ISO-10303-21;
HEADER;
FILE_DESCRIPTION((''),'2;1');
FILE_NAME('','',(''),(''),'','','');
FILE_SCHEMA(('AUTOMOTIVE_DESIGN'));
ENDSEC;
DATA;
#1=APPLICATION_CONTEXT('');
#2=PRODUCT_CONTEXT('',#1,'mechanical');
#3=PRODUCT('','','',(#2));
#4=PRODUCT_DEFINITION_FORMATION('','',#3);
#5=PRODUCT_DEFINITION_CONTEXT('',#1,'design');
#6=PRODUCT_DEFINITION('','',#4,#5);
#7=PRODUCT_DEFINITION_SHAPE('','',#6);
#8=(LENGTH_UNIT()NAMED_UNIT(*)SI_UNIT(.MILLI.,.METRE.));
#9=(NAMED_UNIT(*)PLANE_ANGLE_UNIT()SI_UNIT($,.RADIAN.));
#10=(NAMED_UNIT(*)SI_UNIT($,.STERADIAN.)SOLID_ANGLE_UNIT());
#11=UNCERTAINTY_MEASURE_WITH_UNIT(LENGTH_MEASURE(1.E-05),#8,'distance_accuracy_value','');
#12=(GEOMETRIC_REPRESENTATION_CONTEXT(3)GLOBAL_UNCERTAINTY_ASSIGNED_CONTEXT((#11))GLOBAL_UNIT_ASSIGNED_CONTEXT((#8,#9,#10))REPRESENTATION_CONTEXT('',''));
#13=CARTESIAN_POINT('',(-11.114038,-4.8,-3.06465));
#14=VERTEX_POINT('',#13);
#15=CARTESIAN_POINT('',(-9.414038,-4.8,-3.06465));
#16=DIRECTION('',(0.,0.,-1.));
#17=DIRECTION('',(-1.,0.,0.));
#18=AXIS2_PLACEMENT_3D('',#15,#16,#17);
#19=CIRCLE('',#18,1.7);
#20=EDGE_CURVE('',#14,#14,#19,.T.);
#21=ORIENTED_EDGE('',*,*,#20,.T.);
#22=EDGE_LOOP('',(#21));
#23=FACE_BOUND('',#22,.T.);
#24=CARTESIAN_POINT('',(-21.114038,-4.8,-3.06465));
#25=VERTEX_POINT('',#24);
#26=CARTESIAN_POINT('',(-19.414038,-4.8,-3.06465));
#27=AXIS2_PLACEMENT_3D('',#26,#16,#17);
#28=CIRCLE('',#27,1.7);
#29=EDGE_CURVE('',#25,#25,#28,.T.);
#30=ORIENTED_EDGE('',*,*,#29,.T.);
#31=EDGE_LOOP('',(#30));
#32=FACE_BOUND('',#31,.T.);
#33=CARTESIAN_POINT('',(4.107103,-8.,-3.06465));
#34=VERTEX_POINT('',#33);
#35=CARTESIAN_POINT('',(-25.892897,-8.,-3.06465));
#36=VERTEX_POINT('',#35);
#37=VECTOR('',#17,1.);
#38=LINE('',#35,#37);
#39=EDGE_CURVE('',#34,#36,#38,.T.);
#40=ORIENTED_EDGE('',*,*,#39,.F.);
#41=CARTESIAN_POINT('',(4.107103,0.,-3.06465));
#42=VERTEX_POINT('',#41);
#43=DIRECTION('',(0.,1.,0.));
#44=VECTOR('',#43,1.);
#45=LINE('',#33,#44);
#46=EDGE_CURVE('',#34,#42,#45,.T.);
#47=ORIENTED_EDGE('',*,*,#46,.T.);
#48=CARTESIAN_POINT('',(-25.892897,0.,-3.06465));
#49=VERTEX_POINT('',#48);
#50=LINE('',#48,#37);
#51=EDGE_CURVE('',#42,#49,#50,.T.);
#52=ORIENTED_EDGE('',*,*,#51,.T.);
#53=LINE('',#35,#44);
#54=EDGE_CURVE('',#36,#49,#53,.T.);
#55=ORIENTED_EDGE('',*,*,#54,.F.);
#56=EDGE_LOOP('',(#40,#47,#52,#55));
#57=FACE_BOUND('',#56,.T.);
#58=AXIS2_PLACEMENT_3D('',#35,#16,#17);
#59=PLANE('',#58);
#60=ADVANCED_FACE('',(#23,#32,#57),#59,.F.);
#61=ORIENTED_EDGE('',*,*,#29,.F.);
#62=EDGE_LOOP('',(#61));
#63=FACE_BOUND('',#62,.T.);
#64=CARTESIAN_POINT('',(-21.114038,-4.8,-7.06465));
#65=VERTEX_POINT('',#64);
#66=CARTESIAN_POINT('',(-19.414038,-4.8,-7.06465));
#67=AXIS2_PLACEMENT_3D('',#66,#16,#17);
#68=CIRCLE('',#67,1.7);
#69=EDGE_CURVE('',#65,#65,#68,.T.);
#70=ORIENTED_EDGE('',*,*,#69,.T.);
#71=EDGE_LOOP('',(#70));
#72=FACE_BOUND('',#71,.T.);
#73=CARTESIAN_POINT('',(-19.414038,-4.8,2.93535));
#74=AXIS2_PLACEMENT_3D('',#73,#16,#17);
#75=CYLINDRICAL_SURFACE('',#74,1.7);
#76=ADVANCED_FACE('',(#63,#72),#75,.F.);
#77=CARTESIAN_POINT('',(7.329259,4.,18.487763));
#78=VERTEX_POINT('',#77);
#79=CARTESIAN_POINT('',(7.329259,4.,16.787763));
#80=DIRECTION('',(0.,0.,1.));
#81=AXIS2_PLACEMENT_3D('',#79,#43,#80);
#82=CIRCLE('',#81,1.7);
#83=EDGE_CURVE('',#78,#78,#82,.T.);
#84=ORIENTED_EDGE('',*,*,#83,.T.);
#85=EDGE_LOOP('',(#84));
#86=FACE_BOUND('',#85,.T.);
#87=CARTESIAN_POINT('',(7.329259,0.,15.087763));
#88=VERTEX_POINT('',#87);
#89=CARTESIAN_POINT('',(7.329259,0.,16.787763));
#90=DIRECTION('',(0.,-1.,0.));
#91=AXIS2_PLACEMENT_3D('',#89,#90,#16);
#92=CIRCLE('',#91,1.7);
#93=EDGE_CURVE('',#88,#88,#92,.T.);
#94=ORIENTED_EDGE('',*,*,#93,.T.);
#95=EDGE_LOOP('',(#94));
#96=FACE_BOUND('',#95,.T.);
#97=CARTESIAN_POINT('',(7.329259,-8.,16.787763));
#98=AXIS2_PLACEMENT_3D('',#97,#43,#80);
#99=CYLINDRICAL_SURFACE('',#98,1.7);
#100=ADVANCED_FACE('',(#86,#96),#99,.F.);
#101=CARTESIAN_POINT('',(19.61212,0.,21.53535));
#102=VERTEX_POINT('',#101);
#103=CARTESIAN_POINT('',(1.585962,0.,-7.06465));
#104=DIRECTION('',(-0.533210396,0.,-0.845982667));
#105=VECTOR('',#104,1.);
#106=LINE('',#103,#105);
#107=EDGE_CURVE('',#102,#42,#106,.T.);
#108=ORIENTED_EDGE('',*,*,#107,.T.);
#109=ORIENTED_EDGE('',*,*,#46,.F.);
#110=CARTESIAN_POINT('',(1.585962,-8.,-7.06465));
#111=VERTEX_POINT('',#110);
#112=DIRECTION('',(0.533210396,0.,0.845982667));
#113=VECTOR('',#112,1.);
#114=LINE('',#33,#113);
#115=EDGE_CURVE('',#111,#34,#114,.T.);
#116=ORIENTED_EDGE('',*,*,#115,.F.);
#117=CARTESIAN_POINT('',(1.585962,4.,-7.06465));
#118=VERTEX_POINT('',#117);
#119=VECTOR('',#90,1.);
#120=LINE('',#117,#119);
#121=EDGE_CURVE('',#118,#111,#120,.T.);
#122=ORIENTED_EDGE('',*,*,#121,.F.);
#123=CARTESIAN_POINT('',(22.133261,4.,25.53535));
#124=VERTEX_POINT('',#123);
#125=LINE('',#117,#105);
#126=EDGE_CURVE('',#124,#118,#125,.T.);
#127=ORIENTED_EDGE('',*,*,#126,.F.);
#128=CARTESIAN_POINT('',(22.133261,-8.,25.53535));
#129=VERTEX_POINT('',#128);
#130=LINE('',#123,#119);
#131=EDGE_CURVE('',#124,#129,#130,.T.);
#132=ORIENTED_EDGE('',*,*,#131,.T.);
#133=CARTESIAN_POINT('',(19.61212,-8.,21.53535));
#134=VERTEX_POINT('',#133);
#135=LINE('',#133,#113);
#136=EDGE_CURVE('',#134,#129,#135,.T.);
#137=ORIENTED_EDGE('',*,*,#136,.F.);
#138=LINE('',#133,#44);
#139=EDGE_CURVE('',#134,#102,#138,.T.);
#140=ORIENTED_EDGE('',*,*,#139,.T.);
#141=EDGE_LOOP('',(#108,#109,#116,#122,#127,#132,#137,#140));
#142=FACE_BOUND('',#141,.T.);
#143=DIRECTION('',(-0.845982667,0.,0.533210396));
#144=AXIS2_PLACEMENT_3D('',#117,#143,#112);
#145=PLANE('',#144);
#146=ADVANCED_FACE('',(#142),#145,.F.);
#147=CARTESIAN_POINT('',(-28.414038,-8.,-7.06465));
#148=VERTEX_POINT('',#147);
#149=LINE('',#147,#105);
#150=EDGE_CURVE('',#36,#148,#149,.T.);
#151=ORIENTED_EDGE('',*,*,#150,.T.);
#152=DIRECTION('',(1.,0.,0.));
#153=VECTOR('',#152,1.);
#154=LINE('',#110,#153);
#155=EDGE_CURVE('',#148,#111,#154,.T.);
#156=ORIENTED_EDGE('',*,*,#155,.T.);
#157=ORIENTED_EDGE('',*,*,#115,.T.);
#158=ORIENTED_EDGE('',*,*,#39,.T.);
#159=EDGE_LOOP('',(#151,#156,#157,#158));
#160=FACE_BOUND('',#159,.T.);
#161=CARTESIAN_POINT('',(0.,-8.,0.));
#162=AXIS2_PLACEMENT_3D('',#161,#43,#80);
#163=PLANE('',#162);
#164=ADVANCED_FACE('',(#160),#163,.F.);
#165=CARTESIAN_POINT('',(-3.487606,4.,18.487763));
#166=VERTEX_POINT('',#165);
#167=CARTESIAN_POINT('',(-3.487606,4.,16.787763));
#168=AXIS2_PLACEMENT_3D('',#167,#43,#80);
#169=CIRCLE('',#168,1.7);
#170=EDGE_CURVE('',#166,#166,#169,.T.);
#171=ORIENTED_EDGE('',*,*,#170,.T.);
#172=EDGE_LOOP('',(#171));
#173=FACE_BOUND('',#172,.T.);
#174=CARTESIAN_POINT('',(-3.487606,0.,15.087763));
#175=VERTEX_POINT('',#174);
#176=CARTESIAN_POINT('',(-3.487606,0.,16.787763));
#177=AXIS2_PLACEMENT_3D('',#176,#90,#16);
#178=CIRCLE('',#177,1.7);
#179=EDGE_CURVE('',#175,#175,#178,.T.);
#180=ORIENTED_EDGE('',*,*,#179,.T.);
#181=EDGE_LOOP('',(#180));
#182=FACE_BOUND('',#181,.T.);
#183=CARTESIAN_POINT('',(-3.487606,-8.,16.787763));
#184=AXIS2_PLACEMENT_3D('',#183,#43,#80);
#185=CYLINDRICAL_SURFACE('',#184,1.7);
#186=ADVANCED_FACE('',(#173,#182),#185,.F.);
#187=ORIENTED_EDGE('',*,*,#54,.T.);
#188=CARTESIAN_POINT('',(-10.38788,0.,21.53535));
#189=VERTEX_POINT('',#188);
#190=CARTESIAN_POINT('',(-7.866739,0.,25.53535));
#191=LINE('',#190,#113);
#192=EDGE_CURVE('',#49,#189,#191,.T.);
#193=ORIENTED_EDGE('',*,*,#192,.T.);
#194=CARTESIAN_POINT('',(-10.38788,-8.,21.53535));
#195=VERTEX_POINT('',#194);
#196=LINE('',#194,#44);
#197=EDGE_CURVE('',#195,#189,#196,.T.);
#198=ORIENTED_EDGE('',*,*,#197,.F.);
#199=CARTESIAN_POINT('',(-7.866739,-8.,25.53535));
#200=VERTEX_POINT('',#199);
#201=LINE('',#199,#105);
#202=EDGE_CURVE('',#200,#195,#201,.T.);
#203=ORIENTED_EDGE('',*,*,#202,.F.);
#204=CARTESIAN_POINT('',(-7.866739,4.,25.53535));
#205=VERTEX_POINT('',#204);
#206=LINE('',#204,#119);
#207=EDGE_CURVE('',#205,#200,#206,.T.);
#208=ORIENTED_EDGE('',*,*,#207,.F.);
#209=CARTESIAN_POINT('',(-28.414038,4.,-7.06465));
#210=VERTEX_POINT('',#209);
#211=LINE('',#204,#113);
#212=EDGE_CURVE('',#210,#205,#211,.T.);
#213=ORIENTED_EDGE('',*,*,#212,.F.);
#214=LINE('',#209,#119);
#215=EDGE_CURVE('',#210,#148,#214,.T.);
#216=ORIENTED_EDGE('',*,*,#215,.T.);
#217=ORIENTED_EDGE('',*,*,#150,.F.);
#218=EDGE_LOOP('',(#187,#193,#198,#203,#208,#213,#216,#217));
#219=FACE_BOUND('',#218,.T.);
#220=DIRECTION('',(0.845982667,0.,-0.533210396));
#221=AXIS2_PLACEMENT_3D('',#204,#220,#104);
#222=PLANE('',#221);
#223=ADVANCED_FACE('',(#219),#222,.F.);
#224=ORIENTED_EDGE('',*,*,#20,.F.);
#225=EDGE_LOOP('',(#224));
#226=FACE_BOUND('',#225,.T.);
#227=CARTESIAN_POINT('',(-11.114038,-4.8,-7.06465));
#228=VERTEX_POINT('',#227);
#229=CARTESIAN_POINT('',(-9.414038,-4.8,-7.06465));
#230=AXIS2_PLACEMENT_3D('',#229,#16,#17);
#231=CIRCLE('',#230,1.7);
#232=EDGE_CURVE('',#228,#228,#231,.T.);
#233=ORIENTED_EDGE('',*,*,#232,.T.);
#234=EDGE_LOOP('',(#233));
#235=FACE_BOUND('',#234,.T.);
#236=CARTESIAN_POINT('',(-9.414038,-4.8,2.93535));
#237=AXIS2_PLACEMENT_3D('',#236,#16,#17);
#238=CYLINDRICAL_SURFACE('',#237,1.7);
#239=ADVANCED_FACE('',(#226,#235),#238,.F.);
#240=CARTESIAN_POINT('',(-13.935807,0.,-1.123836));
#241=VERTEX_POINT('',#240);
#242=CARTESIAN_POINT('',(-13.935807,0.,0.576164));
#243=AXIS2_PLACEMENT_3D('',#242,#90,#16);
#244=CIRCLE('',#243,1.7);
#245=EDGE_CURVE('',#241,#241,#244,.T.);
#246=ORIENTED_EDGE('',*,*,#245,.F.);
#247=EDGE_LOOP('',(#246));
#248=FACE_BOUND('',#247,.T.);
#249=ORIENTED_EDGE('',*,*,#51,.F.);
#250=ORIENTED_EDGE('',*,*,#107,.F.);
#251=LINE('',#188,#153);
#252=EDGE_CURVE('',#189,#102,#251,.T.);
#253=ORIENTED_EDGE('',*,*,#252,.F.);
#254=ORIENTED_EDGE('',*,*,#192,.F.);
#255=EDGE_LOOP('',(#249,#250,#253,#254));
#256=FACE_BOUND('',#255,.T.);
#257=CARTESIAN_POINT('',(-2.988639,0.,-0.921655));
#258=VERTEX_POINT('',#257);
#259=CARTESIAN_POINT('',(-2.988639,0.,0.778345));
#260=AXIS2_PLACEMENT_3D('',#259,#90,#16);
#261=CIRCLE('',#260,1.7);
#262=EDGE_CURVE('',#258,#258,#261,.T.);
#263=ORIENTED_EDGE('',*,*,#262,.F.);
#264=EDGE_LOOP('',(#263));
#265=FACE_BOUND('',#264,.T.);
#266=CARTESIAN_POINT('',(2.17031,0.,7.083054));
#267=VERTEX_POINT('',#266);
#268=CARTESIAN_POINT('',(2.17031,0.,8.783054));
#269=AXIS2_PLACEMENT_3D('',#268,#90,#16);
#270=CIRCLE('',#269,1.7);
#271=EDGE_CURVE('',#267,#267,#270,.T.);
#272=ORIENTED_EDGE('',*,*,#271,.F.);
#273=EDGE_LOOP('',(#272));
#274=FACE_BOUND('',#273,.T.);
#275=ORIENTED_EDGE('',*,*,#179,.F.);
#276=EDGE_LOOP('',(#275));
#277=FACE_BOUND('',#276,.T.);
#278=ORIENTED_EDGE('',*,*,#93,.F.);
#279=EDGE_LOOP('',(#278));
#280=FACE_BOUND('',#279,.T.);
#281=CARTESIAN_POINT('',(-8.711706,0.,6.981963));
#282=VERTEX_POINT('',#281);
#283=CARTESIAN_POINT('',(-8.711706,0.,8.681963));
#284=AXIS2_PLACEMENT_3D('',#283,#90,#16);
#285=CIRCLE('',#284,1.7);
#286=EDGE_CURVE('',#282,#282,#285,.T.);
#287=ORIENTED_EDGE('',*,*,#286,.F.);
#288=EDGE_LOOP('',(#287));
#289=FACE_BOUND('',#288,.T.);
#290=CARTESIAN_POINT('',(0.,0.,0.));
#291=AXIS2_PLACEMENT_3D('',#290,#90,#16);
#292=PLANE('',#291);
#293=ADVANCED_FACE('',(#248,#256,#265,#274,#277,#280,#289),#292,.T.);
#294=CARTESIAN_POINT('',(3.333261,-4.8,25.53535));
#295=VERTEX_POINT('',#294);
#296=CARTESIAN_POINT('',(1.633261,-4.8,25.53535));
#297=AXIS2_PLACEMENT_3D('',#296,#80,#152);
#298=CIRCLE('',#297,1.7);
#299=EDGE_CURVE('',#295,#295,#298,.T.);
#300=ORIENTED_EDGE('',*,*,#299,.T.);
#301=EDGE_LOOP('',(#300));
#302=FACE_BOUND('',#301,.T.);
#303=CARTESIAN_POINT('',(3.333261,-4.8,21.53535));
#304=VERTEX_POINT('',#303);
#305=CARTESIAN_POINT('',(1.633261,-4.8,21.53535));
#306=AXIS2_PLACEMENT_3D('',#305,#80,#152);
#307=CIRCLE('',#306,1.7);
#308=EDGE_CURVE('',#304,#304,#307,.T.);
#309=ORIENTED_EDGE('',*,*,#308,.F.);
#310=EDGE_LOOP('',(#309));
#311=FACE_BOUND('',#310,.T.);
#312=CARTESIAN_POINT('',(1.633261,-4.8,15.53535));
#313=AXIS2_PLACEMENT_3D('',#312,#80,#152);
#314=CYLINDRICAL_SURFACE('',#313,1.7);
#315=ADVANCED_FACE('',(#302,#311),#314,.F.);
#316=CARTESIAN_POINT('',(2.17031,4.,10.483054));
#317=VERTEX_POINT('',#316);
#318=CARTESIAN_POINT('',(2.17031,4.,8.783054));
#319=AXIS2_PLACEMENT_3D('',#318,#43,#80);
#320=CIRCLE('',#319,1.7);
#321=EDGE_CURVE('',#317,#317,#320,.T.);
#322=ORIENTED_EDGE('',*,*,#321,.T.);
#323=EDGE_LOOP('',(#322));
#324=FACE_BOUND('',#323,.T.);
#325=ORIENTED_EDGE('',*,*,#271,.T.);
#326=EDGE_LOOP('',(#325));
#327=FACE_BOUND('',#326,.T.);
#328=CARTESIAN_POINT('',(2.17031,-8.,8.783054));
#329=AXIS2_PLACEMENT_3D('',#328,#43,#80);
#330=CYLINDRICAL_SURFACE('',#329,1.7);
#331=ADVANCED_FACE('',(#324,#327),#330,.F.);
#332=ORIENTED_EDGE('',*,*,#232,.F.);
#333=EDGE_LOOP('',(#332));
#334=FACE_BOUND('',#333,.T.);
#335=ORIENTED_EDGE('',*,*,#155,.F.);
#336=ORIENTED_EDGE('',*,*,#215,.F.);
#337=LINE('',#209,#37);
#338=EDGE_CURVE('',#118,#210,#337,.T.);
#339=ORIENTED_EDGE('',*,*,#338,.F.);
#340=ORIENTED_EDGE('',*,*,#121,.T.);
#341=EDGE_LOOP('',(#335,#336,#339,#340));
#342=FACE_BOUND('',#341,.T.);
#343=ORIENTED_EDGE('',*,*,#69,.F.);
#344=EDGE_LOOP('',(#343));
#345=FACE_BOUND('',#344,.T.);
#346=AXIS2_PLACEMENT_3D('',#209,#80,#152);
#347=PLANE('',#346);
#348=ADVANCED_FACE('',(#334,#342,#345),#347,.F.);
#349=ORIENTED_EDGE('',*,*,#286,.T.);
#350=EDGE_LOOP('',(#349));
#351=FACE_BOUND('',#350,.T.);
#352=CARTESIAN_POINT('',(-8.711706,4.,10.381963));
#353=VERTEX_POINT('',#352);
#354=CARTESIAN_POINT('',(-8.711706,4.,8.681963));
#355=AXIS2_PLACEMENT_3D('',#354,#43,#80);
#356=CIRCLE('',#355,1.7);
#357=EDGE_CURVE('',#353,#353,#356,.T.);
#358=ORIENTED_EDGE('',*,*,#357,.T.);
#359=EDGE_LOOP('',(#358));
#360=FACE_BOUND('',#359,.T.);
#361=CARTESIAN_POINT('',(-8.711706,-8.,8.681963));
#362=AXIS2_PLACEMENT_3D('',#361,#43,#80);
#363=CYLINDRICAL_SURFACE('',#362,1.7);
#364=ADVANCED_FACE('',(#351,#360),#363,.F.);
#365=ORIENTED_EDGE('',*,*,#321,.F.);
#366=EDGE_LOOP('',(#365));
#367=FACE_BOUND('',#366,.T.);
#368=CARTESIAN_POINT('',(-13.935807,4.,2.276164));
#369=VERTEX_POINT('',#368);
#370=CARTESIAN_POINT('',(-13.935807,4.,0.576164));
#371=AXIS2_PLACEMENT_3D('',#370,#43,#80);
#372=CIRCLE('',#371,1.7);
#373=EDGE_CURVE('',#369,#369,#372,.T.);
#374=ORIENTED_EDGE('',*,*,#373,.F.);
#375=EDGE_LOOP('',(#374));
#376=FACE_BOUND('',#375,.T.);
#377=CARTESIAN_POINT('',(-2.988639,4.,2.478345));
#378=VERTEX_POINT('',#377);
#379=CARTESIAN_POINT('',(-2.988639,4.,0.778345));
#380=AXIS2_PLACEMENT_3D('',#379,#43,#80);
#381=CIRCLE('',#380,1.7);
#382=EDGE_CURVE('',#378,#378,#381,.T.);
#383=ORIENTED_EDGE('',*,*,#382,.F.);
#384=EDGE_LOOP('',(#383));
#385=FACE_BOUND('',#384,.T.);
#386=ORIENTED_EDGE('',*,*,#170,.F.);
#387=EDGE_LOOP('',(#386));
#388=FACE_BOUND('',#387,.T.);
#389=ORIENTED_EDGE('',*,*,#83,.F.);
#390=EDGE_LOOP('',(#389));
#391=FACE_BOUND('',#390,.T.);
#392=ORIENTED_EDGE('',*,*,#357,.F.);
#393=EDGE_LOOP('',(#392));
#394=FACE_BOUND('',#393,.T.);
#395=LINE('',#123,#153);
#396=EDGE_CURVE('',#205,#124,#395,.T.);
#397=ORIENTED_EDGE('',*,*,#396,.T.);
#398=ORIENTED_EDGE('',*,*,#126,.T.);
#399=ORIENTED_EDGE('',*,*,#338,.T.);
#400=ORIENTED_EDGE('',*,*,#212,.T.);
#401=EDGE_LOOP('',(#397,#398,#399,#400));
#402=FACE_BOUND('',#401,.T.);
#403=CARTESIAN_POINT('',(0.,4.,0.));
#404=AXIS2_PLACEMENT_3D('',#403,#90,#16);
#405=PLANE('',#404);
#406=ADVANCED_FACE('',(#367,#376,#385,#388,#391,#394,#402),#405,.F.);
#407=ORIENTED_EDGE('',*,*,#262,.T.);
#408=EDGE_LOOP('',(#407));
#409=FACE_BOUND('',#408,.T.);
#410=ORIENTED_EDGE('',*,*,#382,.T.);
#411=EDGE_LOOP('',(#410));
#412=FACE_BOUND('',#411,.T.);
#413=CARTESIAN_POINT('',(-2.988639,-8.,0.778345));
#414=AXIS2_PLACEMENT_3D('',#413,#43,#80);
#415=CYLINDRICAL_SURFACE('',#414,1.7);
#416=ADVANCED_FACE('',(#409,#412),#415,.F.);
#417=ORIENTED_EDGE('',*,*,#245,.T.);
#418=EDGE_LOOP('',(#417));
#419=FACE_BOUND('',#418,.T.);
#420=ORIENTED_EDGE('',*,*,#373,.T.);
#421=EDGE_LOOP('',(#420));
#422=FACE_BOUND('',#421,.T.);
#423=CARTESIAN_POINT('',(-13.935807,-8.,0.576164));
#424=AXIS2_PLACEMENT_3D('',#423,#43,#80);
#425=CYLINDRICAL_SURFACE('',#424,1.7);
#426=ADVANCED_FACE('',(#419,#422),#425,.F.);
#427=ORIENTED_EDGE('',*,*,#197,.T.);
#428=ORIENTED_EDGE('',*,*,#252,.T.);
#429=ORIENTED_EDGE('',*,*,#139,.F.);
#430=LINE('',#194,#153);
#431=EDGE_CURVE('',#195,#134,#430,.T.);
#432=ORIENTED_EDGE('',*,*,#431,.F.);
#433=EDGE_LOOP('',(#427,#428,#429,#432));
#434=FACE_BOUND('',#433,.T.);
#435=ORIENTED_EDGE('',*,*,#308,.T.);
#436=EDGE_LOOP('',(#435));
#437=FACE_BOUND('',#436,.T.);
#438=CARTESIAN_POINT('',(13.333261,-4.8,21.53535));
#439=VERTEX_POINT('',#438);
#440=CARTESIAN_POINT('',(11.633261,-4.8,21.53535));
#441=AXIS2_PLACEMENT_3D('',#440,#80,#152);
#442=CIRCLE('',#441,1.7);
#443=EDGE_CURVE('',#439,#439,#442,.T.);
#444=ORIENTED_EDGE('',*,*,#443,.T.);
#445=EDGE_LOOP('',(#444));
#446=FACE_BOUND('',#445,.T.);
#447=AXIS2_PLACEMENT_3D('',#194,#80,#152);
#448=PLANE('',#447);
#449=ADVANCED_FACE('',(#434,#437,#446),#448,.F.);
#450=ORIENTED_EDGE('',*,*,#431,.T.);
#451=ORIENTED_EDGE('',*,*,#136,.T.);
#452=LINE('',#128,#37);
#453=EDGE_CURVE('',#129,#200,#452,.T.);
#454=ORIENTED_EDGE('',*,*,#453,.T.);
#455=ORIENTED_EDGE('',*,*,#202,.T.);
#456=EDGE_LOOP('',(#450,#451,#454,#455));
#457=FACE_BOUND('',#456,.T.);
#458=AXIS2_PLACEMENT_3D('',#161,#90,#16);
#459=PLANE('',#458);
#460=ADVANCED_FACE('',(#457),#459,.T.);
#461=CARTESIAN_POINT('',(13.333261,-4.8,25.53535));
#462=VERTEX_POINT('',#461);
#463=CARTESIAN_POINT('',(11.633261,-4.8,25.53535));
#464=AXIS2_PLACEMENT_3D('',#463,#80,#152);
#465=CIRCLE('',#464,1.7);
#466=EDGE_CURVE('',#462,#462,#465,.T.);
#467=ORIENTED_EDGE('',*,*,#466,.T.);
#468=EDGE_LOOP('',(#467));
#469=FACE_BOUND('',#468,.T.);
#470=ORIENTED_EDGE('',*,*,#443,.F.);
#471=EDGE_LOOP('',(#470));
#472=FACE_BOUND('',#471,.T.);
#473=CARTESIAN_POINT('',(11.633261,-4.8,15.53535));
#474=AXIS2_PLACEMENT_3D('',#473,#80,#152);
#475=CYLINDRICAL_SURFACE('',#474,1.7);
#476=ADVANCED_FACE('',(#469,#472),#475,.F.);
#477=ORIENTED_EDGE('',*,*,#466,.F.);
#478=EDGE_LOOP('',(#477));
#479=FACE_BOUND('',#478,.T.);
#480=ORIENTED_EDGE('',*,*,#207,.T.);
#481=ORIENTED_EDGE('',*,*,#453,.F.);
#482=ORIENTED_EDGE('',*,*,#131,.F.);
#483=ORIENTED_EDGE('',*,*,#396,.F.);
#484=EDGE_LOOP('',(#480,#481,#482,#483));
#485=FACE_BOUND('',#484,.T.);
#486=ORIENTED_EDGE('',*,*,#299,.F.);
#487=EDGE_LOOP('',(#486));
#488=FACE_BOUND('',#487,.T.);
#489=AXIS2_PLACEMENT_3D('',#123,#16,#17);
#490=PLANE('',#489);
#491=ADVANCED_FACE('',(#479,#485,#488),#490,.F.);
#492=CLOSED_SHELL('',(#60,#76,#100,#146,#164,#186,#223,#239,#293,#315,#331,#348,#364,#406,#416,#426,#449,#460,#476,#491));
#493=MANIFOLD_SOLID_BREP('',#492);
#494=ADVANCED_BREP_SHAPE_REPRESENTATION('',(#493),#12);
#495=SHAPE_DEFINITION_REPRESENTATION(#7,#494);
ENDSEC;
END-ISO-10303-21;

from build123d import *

# Parameters (mm, degrees)
ESTRUSIONE_ESTRUSIONE1_DEPTH = 4
ESTRUSIONE_ESTRUSIONE2_DEPTH = 8
SCHIZZO7_R                   = 1.7
TAGLIO_ESTRUSIONE4_DEPTH     = 13
SCHIZZO10_R                  = 1.7
TAGLIO_ESTRUSIONE5_DEPTH     = 10
SCHIZZO11_R                  = 1.7
TAGLIO_ESTRUSIONE6_DEPTH     = 10


with BuildPart() as part:
    # Schizzo1 → Estrusione-Estrusione1 (new body)
    with BuildSketch(Plane(origin=(0, 0, 0), x_dir=(1, 0, 0), z_dir=(0, 1, 0))):
        Polygon((1.585961517, 7.064649843), (22.133260635, -25.535350157), (-7.866739365, -25.535350157), (-28.414038483, 7.064649843), align=None)
    extrude(amount=ESTRUSIONE_ESTRUSIONE1_DEPTH)

    # Schizzo4 → Estrusione-Estrusione2 (add)
    with BuildSketch(Plane.XZ):
        Polygon((-28.414038483, -7.064649843), (-25.892897487, -3.064649843), (4.107102513, -3.064649843), (1.585961517, -7.064649843), align=None)
        Polygon((22.133260635, 25.535350157), (-7.866739365, 25.535350157), (-10.387880361, 21.535350157), (19.612119639, 21.535350157), align=None)
    extrude(amount=ESTRUSIONE_ESTRUSIONE2_DEPTH)

    # Schizzo7 → Taglio-Estrusione4 (cut, through all)
    with BuildSketch(Plane(origin=(0, 4, 0), x_dir=(1, 0, 0), z_dir=(0, 1, 0))):
        with Locations((7.329259334, -16.787762722)):
            Circle(SCHIZZO7_R)
        with Locations((-3.487605714, -16.787762722)):
            Circle(SCHIZZO7_R)
        with Locations((-8.711706468, -8.681963492)):
            Circle(SCHIZZO7_R)
        with Locations((-13.935807222, -0.576164263)):
            Circle(SCHIZZO7_R)
        with Locations((-2.9886387, -0.77834524)):
            Circle(SCHIZZO7_R)
        with Locations((2.170310317, -8.783053981)):
            Circle(SCHIZZO7_R)
    extrude(amount=-TAGLIO_ESTRUSIONE4_DEPTH, mode=Mode.SUBTRACT)

    # Schizzo10 → Taglio-Estrusione5 (cut)
    with BuildSketch(Plane.XY.offset(25.535350157)):
        with Locations((1.633260635, -4.8)):
            Circle(SCHIZZO10_R)
        with Locations((11.633260635, -4.8)):
            Circle(SCHIZZO10_R)
    extrude(amount=-TAGLIO_ESTRUSIONE5_DEPTH, mode=Mode.SUBTRACT)

    # Schizzo11 → Taglio-Estrusione6 (cut)
    with BuildSketch(Plane(origin=(0, 0, -7.064649843), x_dir=(-1, 0, 0), z_dir=(0, 0, -1))):
        with Locations((9.414038483, -4.8)):
            Circle(SCHIZZO11_R)
        with Locations((19.414038483, -4.8)):
            Circle(SCHIZZO11_R)
    extrude(amount=-TAGLIO_ESTRUSIONE6_DEPTH, mode=Mode.SUBTRACT)


solid = part.part
